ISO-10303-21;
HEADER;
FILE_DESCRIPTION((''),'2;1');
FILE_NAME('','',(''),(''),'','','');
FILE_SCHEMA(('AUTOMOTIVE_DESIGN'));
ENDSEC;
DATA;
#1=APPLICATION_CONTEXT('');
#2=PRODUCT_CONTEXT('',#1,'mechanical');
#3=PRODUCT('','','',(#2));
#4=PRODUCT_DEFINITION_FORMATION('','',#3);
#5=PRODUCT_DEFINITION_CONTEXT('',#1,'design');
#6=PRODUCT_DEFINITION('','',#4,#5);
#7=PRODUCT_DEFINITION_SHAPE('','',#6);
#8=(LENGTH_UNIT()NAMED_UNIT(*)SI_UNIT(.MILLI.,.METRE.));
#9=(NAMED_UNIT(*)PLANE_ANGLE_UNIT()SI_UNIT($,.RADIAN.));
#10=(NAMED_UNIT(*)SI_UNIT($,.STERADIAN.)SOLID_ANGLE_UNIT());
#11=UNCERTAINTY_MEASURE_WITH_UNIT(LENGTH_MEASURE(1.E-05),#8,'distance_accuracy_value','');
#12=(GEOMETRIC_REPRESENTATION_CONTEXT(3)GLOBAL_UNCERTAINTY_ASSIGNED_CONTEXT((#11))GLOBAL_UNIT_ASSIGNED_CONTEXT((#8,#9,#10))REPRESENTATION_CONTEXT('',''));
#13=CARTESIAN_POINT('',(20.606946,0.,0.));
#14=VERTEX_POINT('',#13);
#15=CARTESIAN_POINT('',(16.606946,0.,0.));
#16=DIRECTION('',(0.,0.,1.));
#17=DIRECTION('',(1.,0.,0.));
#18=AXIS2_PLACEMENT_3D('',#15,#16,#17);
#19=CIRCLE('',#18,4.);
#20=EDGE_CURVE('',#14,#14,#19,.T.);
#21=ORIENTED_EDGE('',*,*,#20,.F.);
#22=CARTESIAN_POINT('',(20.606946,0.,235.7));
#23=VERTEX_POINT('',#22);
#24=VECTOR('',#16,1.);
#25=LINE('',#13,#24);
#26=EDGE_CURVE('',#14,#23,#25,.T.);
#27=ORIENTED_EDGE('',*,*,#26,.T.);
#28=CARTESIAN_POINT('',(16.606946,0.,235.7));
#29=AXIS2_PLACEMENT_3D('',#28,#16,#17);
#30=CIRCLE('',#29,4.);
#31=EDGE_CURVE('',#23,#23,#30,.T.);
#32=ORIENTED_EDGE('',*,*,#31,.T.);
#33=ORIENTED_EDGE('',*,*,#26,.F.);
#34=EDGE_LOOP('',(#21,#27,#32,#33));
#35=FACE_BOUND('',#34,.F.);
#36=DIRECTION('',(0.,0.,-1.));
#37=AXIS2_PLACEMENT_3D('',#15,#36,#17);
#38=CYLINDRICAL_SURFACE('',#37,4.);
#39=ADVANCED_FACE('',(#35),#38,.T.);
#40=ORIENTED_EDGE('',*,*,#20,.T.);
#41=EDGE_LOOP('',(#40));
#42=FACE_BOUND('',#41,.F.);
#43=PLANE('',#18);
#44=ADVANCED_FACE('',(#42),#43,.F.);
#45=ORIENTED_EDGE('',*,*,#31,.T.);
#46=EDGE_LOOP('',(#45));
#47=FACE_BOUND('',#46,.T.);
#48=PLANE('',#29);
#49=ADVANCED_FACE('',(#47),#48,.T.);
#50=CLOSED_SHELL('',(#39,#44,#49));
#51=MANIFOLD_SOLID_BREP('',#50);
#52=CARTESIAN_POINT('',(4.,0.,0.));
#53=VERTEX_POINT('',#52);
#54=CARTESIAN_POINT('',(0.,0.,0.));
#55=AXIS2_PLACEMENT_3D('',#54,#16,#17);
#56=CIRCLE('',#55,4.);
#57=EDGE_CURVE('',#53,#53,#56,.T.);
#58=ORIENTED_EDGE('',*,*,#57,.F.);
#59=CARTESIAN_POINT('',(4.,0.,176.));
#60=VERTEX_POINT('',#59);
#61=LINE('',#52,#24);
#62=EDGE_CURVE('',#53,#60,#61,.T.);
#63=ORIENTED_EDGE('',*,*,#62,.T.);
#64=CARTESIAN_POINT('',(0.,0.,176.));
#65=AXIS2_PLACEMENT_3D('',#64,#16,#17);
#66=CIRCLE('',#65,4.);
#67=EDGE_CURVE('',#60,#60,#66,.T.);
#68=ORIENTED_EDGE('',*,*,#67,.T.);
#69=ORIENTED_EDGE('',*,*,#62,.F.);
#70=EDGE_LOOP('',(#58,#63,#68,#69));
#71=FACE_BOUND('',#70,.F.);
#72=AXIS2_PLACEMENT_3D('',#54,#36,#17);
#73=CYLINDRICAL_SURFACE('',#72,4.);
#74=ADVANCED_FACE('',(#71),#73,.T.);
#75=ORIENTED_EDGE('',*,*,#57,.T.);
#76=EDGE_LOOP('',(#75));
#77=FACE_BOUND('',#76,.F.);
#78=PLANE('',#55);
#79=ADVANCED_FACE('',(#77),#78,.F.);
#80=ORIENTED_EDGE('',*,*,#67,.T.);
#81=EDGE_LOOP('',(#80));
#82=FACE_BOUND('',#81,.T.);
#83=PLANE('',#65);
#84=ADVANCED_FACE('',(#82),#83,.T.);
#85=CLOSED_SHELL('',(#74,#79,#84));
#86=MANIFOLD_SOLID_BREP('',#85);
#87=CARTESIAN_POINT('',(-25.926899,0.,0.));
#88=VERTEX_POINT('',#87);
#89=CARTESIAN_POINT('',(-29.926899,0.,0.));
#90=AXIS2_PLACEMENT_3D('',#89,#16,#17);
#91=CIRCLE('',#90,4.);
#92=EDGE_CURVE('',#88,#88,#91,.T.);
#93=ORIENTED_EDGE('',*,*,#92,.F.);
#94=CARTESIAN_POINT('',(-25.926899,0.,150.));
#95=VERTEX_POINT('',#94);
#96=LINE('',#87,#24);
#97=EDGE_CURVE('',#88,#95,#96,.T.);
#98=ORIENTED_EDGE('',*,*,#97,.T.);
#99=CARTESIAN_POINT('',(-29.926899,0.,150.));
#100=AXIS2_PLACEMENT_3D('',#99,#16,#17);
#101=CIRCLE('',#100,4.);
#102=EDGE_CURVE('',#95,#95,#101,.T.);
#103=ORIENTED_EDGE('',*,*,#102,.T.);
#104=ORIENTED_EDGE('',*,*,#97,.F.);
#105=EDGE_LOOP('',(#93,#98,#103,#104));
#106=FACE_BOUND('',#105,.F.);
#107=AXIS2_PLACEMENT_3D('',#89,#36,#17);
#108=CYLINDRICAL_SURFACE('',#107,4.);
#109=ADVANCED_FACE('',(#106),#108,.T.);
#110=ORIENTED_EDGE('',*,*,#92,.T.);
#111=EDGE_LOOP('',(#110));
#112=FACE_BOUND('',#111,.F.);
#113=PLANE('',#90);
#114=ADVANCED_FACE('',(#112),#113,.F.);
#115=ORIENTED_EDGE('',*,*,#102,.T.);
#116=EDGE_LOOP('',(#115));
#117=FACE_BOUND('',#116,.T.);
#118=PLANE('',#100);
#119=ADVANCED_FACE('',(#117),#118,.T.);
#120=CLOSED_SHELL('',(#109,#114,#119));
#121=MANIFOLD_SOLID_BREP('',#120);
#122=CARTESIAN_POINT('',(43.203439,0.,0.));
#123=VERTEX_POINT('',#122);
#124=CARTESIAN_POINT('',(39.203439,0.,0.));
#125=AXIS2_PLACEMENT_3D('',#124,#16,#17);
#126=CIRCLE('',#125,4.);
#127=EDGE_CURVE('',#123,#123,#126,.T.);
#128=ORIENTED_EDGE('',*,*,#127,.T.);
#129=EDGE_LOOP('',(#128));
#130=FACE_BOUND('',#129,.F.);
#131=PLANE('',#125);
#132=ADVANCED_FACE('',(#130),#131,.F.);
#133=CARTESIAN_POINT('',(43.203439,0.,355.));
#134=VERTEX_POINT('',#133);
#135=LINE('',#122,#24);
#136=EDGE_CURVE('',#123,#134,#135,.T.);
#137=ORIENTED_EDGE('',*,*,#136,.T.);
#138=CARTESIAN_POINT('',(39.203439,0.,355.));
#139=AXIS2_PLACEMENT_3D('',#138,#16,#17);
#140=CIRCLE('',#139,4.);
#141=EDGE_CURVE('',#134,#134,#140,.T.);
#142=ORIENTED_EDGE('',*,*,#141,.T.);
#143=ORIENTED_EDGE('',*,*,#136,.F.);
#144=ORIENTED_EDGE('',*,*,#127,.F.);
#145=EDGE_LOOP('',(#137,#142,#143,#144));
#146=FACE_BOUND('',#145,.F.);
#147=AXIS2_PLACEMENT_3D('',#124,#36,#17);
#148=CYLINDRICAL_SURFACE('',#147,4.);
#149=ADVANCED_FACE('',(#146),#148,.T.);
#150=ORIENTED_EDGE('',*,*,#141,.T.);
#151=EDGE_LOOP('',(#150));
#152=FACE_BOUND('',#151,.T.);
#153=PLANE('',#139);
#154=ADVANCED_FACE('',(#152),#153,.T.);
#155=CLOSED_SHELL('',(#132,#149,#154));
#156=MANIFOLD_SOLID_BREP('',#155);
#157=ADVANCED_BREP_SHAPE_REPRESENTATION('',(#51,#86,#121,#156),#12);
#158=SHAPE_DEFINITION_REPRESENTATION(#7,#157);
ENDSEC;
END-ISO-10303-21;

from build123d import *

# Parameters (mm, degrees)
F0_R     = 4
F1_DEPTH = 176
F2_DEPTH = 235.7
F3_DEPTH = 355
F4_R     = 4
F5_DEPTH = 150


with BuildPart() as f1:
    # F0 (on Top) → F1 (new body)
    with BuildSketch(Plane.XY):
        Circle(F0_R)
    extrude(amount=F1_DEPTH)


with BuildPart() as f2:
    # F0 (on Top) → F2 (new body)
    with BuildSketch(Plane.XY):
        with Locations((16.606946, 0)):
            Circle(F0_R)
    extrude(amount=F2_DEPTH)


with BuildPart() as f3:
    # F0 (on Top) → F3 (new body)
    with BuildSketch(Plane.XY):
        with Locations((39.203439, 0)):
            Circle(F0_R)
    extrude(amount=F3_DEPTH)


with BuildPart() as f5:
    # F4 (on Top) → F5 (new body)
    with BuildSketch(Plane.XY):
        with Locations((-29.926899, 0)):
            Circle(F4_R)
    extrude(amount=F5_DEPTH)


solid = Compound([f1.part, f2.part, f3.part, f5.part])
